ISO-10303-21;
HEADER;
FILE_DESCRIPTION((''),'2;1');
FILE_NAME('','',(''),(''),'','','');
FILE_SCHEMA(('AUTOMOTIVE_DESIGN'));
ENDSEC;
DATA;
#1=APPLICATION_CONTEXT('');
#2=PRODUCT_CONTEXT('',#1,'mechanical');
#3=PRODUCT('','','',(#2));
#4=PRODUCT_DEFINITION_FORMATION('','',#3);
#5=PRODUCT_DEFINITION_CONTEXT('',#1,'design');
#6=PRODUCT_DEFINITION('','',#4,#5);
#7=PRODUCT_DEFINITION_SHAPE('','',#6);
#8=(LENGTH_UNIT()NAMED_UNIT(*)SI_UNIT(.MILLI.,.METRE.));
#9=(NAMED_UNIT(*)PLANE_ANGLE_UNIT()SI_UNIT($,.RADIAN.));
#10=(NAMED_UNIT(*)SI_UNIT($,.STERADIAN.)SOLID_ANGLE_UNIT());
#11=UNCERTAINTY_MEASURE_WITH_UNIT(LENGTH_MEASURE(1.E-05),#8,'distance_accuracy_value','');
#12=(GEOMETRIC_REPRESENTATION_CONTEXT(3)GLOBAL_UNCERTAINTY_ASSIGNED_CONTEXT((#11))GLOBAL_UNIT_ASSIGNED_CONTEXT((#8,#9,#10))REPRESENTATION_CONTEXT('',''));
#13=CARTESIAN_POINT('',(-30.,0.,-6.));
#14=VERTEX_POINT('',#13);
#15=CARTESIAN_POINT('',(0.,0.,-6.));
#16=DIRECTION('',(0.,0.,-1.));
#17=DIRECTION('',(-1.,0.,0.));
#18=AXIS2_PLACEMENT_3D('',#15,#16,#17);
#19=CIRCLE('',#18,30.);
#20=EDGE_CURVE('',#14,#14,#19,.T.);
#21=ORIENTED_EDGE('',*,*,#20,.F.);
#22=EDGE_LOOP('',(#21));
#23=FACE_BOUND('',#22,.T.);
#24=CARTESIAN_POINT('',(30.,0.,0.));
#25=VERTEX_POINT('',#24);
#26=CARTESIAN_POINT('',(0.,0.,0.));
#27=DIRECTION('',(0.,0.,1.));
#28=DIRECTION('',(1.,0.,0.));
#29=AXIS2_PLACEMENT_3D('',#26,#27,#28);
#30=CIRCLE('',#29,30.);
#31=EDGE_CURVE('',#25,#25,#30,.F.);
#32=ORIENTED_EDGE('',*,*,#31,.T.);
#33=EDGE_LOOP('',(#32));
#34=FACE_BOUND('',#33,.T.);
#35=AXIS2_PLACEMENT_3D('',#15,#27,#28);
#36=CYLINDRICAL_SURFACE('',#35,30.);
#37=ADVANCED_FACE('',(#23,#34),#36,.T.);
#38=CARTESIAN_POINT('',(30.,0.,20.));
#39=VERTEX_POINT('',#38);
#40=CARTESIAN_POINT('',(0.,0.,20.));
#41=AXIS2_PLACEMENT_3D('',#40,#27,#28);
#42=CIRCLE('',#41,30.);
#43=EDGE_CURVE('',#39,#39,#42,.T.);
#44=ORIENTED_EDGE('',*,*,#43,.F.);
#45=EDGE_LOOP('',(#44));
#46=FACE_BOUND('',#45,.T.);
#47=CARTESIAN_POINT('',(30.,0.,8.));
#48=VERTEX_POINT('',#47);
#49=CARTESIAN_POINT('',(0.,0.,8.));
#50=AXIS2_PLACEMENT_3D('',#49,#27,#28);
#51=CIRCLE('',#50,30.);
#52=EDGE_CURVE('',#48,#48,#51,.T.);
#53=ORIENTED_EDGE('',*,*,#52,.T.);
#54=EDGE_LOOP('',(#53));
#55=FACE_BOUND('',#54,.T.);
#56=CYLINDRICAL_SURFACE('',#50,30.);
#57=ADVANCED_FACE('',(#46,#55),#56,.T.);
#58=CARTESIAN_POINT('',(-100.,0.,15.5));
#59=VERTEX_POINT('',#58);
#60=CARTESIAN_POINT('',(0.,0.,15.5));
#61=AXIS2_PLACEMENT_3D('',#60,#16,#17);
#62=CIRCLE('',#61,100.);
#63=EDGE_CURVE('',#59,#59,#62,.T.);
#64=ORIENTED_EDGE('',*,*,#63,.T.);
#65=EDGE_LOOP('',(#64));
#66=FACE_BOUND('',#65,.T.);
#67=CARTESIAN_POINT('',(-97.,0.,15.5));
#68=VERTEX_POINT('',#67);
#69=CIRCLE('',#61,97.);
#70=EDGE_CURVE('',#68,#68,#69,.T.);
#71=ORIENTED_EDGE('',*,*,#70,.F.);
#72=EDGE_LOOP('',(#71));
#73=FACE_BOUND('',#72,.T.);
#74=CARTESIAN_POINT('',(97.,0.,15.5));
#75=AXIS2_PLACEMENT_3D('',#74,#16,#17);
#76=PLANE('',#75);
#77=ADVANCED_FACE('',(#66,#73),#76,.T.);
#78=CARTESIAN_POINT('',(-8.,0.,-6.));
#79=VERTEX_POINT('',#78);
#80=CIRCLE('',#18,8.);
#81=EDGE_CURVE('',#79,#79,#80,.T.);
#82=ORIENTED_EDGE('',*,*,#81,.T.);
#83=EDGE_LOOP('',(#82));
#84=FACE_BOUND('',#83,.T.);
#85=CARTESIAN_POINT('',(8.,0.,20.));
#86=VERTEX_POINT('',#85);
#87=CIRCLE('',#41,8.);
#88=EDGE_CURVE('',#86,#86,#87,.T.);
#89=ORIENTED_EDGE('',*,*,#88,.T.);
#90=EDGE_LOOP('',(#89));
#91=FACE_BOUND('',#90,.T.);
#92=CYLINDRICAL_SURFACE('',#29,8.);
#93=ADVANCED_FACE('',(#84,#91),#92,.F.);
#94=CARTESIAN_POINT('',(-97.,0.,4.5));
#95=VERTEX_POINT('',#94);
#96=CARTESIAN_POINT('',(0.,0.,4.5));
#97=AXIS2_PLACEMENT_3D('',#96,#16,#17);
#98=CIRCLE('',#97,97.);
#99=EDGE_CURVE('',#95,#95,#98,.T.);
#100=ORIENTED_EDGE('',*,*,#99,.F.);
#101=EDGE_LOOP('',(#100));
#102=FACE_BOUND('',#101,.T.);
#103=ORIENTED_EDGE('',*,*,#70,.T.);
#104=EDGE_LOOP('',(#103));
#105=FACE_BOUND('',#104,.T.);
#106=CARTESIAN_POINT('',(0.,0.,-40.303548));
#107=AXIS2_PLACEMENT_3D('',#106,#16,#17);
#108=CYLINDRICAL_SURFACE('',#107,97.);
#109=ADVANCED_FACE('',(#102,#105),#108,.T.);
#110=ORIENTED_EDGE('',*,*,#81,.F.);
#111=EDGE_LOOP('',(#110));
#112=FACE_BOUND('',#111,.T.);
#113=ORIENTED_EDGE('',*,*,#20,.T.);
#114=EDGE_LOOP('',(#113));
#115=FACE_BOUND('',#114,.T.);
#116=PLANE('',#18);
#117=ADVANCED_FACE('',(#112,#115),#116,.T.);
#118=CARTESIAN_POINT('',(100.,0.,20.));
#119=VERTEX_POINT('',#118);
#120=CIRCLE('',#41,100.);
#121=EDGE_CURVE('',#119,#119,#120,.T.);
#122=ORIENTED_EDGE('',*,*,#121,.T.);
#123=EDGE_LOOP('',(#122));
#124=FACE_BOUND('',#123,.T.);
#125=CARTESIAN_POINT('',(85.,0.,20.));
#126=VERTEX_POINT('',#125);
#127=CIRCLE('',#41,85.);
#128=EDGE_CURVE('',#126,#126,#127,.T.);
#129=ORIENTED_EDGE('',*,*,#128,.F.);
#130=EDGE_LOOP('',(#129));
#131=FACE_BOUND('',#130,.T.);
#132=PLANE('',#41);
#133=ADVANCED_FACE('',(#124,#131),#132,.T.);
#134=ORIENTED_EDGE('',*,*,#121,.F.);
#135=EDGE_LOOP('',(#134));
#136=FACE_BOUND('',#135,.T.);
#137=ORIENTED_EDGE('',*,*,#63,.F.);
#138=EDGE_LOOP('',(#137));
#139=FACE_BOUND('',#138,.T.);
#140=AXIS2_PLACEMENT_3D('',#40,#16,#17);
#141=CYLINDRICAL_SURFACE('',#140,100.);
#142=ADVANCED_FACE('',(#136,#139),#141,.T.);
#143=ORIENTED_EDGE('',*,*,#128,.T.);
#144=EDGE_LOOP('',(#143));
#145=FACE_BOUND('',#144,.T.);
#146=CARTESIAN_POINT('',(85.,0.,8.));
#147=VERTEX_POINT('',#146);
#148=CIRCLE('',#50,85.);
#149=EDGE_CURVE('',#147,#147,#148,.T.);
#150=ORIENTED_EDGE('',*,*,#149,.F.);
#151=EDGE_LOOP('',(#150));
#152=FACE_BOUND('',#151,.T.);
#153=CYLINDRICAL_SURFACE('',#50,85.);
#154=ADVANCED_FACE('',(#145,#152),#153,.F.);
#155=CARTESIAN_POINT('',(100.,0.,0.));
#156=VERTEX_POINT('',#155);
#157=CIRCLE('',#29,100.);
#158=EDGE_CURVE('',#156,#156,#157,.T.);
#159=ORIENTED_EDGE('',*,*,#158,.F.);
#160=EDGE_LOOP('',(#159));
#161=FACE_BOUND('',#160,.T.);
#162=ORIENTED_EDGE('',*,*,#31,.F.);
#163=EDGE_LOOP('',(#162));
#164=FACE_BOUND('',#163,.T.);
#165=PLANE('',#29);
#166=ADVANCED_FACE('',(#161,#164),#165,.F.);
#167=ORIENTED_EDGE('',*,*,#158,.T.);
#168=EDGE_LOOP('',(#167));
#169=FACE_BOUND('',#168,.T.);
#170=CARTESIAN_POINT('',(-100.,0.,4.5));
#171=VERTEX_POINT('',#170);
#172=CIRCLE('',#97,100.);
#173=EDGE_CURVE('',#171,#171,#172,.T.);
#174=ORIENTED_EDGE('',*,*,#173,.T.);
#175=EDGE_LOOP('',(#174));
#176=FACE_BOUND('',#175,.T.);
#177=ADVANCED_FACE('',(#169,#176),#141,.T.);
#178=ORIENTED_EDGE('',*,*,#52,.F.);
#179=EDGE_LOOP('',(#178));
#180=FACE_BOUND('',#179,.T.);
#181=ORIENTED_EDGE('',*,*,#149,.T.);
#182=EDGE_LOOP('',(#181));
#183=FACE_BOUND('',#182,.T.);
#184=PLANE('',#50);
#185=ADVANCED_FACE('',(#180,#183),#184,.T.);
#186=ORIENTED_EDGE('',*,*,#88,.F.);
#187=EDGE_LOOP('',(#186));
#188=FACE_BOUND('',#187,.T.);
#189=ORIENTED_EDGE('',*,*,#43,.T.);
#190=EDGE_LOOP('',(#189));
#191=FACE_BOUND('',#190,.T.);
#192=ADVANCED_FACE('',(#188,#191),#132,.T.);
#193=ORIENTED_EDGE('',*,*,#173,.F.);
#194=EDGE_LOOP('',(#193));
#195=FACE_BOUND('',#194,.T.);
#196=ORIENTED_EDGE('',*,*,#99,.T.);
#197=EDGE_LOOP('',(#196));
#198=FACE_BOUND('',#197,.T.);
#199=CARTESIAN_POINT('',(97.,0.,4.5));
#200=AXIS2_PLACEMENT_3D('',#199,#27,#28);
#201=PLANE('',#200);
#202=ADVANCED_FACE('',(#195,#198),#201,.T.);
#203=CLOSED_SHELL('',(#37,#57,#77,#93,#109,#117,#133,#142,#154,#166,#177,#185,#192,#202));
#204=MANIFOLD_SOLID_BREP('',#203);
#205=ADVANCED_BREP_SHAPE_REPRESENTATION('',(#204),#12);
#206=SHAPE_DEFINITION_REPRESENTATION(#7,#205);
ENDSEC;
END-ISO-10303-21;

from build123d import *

# Parameters (mm, degrees)
SKETCH_1_R          = 100
EXTRUDE_1_DEPTH     = 20
SKETCH_2_R          = 8
CUT_EXTRUDE_1_DEPTH = 20
SKETCH_3_R          = 85
SKETCH_3_R_2        = 30
CUT_EXTRUDE_2_DEPTH = 12
SKETCH_5_W          = 3
SKETCH_5_H          = 11
SKETCH_8_R          = 30
EXTRUDE_2_DEPTH     = 6
CUT_EXTRUDE_START   = -52
SKETCH_9_R          = 8
CUT_EXTRUDE_4_DEPTH = 52


with BuildPart() as part:
    # 草图1 → 凸台-拉伸1 (new body)
    with BuildSketch(Plane.XY):
        Circle(SKETCH_1_R)
    extrude(amount=EXTRUDE_1_DEPTH)

    # 草图2 → 切除-拉伸1 (cut)
    with BuildSketch(Plane.XY.offset(20)):
        Circle(SKETCH_2_R)
    extrude(amount=-CUT_EXTRUDE_1_DEPTH, mode=Mode.SUBTRACT)

    # 草图3 → 切除-拉伸2 (cut)
    with BuildSketch(Plane.XY.offset(20)):
        Circle(SKETCH_3_R)
        Circle(SKETCH_3_R_2, mode=Mode.SUBTRACT)
    extrude(amount=-CUT_EXTRUDE_2_DEPTH, mode=Mode.SUBTRACT)

    # 草图5 → 切除-旋转2 (revolve, cut)
    with BuildSketch(Plane(origin=(0, 0, 0), x_dir=(1, 0, 0), z_dir=(0, 1, 0)), mode=Mode.PRIVATE) as cut_revolve_2_sk:
        with Locations((98.5, -10)):
            Rectangle(SKETCH_5_W, SKETCH_5_H)
    revolve(cut_revolve_2_sk.sketch.rotate(Axis((0, 0, -40.303548102), (0, 0, 1)), 180), axis=Axis((0, 0, -40.303548102), (0, 0, 1)), mode=Mode.SUBTRACT)

    # 草图8 → 凸台-拉伸2 (add)
    with BuildSketch(Plane(origin=(0, 0, 0), x_dir=(-1, 0, 0), z_dir=(0, 0, -1))):
        with Locations(Location((0, 0, 0), (0, 0, 180))):
            Circle(SKETCH_8_R)
    extrude(amount=EXTRUDE_2_DEPTH)

    # 草图9 → 切除-拉伸4 (cut)
    with BuildSketch(Plane(origin=(0, 0, -6), x_dir=(-1, 0, 0), z_dir=(0, 0, -1)).offset(CUT_EXTRUDE_START)):
        with Locations(Location((0, 0, 0), (0, 0, 180))):
            Circle(SKETCH_9_R)
    extrude(amount=CUT_EXTRUDE_4_DEPTH, mode=Mode.SUBTRACT)


solid = part.part
